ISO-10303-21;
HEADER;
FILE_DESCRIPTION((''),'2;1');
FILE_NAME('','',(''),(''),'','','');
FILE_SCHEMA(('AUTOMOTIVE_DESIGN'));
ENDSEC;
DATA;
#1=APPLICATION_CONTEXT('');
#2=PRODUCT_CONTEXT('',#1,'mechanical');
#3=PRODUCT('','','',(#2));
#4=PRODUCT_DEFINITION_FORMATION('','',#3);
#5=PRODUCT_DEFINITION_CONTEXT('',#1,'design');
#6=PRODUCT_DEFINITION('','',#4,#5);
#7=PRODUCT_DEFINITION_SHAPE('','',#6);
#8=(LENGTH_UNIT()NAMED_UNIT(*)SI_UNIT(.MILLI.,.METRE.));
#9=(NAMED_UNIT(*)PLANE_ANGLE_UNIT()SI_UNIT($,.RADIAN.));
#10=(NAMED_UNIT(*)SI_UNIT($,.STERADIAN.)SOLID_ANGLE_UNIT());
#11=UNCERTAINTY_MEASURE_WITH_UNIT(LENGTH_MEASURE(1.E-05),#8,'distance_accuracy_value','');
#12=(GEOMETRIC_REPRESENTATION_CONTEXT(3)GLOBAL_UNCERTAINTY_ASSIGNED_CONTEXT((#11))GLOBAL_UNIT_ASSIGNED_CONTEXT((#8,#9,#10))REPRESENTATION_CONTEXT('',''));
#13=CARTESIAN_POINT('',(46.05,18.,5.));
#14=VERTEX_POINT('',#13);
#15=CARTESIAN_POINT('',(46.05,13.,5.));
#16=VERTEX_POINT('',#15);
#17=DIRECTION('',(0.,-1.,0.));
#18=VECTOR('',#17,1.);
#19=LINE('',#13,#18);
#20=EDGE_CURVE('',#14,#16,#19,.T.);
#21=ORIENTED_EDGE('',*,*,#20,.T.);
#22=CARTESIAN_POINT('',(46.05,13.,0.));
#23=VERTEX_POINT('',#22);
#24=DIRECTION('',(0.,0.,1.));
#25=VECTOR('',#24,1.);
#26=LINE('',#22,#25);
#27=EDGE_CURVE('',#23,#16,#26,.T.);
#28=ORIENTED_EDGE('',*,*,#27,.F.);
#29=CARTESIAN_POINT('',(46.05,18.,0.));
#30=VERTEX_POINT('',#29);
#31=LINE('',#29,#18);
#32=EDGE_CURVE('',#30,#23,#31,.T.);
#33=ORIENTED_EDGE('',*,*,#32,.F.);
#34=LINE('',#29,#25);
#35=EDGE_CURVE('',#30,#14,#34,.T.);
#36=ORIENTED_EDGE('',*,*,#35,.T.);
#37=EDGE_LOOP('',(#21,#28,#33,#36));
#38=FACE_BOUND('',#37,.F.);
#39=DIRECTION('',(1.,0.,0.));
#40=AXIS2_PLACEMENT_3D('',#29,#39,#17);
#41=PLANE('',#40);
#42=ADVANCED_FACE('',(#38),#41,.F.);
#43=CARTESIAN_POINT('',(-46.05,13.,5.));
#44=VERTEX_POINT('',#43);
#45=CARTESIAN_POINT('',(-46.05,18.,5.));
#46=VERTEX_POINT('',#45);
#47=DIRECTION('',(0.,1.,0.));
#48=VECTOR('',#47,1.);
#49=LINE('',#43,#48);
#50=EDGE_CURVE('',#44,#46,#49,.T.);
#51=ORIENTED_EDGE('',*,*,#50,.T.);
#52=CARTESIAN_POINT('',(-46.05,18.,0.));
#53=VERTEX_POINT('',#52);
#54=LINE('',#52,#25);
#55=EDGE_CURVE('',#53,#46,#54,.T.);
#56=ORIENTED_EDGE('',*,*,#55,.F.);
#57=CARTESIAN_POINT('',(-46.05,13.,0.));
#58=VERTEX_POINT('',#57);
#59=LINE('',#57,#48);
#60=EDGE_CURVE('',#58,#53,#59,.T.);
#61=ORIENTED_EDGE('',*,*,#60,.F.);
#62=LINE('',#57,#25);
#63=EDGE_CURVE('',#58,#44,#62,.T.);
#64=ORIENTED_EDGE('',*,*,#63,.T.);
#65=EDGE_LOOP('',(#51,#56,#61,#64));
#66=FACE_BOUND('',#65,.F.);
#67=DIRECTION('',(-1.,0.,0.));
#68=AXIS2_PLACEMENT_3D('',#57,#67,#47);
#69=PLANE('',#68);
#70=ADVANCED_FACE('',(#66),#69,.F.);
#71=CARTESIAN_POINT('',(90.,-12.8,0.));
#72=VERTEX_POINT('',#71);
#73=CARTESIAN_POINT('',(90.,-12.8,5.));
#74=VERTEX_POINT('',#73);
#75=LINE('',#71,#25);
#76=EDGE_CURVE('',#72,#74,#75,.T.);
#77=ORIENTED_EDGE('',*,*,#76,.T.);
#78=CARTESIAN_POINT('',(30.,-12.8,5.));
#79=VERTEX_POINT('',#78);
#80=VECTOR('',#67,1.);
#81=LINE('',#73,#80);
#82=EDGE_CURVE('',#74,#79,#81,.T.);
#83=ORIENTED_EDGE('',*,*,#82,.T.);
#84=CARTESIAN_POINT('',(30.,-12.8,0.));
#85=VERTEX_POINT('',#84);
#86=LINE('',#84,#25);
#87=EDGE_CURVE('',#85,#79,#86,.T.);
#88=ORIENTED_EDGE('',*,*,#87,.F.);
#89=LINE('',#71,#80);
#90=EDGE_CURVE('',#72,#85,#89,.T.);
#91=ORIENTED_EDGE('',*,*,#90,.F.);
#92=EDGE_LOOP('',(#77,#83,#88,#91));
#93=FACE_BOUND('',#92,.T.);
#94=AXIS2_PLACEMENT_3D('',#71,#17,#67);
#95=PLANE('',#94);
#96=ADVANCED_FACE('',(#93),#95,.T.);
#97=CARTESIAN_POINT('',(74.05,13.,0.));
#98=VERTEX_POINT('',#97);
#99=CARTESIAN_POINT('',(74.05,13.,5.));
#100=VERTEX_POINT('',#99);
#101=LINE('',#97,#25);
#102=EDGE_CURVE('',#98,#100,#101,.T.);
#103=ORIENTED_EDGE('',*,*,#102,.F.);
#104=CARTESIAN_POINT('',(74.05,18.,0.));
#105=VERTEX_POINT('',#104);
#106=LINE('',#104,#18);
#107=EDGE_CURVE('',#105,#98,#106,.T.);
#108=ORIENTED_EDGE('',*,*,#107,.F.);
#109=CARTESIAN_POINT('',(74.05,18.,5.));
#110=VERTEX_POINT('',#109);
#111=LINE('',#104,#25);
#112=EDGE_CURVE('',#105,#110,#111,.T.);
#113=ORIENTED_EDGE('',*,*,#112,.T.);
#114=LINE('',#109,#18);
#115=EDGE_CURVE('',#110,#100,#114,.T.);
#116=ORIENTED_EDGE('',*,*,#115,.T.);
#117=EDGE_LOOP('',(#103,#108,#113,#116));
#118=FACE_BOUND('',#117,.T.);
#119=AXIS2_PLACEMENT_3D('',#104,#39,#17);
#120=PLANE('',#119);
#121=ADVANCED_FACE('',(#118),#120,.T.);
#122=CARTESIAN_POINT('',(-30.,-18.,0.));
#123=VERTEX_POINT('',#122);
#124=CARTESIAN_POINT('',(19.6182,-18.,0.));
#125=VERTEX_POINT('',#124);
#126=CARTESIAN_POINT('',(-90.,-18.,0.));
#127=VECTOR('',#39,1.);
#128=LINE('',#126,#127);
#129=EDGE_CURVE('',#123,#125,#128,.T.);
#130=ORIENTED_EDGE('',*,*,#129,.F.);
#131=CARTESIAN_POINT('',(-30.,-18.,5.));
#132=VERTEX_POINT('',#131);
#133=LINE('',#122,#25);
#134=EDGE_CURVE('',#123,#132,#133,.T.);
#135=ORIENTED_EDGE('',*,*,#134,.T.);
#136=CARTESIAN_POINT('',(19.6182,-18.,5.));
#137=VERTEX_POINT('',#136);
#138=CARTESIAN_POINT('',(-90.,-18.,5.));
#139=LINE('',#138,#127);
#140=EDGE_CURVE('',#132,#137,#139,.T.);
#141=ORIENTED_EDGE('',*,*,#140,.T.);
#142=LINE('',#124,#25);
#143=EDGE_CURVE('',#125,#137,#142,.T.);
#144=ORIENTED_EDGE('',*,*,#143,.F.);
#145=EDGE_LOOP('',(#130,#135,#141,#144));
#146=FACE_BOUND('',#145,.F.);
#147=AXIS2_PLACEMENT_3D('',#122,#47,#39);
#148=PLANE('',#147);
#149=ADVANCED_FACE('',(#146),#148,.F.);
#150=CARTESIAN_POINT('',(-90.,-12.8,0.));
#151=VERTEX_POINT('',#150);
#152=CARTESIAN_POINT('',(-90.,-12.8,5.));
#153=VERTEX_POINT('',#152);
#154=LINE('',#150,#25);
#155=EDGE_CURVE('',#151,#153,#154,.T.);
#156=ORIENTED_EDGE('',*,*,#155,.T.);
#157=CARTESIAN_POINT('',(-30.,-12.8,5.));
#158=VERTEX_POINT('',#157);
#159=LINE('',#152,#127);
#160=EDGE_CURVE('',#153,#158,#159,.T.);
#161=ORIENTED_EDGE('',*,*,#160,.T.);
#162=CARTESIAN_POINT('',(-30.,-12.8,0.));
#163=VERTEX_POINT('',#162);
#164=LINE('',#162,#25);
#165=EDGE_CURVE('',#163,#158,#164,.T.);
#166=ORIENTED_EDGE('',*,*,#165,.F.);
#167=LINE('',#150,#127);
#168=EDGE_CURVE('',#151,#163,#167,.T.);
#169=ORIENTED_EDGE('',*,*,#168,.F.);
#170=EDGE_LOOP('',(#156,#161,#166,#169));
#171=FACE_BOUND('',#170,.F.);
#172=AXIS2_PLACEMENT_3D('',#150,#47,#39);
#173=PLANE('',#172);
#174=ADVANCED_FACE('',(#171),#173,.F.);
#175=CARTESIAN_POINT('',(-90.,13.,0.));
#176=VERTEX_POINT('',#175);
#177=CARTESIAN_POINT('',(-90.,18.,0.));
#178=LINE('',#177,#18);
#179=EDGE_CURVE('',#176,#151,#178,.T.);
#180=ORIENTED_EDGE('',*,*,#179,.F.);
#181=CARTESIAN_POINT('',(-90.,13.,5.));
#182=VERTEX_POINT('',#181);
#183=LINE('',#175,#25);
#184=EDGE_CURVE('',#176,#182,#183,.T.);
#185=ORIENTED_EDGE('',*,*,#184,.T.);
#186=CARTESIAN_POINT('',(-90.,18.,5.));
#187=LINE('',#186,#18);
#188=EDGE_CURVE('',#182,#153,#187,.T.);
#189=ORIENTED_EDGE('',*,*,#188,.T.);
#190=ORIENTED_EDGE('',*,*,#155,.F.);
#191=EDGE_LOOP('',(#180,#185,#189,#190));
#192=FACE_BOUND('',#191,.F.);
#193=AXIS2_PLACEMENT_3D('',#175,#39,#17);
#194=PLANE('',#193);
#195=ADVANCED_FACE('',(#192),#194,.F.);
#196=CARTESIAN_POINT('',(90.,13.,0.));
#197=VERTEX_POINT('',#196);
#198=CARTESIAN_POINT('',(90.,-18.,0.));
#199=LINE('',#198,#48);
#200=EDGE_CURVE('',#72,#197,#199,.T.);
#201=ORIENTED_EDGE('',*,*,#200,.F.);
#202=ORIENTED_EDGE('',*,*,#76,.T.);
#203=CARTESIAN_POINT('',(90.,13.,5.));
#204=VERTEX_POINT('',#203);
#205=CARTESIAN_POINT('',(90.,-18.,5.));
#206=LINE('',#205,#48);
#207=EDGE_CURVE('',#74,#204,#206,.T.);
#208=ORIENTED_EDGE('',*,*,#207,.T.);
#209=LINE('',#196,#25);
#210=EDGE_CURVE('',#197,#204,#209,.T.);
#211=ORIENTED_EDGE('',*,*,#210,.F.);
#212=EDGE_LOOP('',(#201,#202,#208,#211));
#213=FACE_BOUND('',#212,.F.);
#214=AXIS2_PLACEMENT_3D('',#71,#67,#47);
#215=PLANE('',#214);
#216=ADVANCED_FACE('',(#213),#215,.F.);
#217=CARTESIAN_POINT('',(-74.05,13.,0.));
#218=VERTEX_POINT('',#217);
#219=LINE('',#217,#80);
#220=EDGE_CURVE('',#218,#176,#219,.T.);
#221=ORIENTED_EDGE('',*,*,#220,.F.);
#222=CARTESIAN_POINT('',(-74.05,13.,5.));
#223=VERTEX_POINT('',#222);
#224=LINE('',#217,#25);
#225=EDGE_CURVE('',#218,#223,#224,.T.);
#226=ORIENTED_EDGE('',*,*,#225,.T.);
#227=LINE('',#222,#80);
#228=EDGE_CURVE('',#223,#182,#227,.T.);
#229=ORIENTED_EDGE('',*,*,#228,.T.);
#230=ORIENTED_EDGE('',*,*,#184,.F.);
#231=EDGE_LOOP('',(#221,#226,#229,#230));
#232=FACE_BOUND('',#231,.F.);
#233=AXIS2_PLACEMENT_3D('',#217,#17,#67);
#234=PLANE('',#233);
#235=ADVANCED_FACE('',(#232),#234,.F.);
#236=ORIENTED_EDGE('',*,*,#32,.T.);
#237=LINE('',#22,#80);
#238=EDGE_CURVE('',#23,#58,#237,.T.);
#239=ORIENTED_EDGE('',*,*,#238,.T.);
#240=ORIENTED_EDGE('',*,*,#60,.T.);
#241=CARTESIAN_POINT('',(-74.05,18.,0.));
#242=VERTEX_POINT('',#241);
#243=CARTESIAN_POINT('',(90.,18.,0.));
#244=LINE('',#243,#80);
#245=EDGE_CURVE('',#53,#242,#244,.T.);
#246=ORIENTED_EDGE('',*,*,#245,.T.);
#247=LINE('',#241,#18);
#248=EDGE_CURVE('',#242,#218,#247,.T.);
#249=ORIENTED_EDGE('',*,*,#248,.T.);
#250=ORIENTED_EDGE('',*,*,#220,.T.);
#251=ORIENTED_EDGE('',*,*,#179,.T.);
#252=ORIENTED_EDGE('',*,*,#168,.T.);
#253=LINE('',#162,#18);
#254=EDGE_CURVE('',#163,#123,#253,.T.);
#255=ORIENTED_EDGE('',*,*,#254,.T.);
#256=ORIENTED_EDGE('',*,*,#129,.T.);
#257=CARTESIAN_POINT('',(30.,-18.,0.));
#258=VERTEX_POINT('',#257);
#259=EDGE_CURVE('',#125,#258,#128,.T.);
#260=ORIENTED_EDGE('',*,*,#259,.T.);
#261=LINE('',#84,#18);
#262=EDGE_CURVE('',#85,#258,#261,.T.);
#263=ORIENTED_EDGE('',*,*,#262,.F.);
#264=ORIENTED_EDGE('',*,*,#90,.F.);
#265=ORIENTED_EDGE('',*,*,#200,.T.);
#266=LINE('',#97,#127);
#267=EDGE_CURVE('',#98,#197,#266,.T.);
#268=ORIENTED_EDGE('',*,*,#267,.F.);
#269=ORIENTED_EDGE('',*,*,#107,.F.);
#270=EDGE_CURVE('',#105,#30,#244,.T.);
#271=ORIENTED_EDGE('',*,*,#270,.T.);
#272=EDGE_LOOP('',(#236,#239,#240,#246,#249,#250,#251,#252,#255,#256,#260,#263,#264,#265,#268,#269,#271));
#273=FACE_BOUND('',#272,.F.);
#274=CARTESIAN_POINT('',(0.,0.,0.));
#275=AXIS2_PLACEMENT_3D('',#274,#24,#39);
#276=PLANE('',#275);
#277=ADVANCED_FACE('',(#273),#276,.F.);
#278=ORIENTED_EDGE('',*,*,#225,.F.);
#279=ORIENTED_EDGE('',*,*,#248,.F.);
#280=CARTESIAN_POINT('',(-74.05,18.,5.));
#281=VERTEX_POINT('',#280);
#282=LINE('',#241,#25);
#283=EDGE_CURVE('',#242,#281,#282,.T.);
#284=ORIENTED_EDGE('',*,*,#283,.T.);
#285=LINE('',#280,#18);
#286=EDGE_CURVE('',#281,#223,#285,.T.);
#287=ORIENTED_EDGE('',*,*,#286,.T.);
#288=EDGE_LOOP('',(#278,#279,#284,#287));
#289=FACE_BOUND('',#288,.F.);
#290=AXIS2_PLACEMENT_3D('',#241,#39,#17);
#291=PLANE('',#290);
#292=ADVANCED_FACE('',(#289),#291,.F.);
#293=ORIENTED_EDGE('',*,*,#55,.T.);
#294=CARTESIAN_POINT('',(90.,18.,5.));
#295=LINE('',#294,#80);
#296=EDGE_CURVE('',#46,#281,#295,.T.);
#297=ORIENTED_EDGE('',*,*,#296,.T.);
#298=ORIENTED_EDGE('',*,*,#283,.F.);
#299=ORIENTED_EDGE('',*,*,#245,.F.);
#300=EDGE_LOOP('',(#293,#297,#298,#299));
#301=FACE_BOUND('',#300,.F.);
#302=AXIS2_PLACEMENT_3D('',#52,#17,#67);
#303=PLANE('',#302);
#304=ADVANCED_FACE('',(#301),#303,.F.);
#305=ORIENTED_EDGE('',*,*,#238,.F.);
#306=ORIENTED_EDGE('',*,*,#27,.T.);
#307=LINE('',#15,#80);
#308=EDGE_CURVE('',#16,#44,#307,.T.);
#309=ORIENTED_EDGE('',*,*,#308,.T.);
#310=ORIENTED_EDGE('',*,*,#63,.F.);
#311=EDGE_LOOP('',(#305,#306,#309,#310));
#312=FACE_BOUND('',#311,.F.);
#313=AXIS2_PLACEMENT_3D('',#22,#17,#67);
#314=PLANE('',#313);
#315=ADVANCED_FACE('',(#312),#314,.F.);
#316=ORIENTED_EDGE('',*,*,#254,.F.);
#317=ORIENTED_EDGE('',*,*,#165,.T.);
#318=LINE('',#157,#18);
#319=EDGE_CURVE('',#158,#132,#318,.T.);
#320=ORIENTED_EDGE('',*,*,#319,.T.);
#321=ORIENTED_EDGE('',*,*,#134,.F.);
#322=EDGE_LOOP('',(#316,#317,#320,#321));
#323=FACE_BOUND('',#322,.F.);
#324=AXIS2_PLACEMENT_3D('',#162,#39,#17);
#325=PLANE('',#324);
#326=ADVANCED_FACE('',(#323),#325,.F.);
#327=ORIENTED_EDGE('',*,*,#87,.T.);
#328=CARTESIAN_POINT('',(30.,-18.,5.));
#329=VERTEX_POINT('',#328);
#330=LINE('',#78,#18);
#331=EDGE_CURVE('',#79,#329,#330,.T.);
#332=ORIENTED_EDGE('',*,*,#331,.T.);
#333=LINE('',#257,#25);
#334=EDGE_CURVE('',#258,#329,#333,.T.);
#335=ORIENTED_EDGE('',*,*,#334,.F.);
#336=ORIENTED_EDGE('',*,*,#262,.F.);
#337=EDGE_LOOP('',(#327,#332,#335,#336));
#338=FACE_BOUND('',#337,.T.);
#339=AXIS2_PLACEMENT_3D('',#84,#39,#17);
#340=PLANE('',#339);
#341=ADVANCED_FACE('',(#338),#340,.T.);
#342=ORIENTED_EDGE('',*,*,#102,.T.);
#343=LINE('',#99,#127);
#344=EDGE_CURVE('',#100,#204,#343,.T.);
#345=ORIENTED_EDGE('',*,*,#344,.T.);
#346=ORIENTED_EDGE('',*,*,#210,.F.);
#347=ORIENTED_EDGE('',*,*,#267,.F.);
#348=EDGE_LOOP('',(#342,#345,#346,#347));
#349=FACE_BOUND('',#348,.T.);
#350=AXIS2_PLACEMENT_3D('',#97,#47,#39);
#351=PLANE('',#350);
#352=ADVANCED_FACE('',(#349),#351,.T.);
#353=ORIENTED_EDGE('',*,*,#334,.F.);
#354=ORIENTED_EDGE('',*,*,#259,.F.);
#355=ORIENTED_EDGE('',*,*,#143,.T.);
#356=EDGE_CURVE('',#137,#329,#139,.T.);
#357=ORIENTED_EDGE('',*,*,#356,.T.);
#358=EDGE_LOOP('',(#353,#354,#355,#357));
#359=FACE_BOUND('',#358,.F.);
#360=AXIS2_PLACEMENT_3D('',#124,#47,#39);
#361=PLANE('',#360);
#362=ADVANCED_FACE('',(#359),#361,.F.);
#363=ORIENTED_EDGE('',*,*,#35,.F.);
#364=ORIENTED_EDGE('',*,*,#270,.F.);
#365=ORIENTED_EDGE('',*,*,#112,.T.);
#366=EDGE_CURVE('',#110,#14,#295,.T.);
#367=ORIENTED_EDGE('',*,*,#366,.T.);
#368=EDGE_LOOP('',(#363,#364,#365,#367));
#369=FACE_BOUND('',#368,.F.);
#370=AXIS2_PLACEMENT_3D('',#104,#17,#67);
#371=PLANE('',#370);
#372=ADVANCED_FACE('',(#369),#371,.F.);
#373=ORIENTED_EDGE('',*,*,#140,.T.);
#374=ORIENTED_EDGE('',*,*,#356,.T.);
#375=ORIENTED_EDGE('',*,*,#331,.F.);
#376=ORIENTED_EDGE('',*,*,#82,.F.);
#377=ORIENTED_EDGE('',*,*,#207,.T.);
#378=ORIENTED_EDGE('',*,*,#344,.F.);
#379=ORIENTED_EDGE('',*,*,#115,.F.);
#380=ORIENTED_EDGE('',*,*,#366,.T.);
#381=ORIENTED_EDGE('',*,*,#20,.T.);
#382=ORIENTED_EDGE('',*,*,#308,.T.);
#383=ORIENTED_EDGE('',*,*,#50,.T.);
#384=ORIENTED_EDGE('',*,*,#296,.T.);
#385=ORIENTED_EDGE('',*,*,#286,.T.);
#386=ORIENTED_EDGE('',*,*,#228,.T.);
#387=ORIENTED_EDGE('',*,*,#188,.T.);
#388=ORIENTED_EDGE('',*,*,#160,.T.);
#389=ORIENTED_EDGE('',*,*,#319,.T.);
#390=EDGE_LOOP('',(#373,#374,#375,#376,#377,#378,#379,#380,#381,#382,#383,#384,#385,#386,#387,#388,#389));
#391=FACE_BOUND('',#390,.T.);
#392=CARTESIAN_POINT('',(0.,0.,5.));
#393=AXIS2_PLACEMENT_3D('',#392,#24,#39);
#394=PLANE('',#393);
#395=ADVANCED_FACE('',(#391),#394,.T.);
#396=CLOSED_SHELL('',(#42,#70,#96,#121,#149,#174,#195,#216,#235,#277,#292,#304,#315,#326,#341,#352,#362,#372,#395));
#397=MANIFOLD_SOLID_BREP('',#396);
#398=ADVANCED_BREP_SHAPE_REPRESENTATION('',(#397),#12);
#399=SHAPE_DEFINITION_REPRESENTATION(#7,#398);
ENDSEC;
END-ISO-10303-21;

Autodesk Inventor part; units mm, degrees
ref_plane "YZ Plane" through (0, 0, 0) normal (1, 0, 0) x (0, 1, 0)
ref_plane "XZ Plane" through (0, 0, 0) normal (0, 1, 0) x (-1, 0, 0)
ref_plane "XY Plane" through (0, 0, 0) normal (0, 0, 1) x (1, 0, 0)
sketch "Sketch1" plane through (0, 0, 0) normal (0, 0, 1) x (1, 0, 0)
  line L0 (-90, -18) -> (90, -18)
  line L1 (90, -18) -> (90, 18)
  line L2 (90, 18) -> (-90, 18)
  line L3 (-90, 18) -> (-90, -18)
  line L4 (-90, -18) -> (90, 18) construction
  line L5 (90, -18) -> (-90, 18) construction
  line L6 (-46.05, 18) -> (46.05, 18)
  line L7 (46.05, 18) -> (46.05, 13)
  line L8 (46.05, 13) -> (-46.05, 13)
  line L9 (-46.05, 13) -> (-46.05, 18)
  line L10 (-46.05, 18) -> (46.05, 13) construction
  line L11 (46.05, 18) -> (-46.05, 13) construction
  line L12 (-90, -12.8) -> (-30, -12.8)
  line L13 (-30, -12.8) -> (-30, -18)
  line L14 (-30, -18) -> (-90, -18)
  line L15 (-90, -18) -> (-90, -12.8)
  line L16 (-90, -12.8) -> (-30, -18) construction
  line L17 (-30, -12.8) -> (-90, -18) construction
  line L18 (19.6182, -18) -> (70, -18)
  line L19 (0, 0) -> (0, -18) construction
  line L20 (30, -18) -> (90, -18)
  line L21 (90, -18) -> (90, -12.8)
  line L22 (90, -12.8) -> (30, -12.8)
  line L23 (30, -12.8) -> (30, -18)
  line L24 (30, -18) -> (90, -12.8) construction
  line L25 (90, -18) -> (30, -12.8) construction
  line L26 (-45.85, 18) -> (-74.05, 18)
  line L27 (74.05, 18) -> (74.05, 13)
  line L28 (74.05, 13) -> (90, 13)
  line L29 (-74.05, 18) -> (-74.05, 13)
  line L30 (-74.05, 13) -> (-90, 13)
  point P0 (0, 15.5)
  point P1 (-60, -15.4)
  point P2 (46.05, 18)
  point P3 (-46.05, 18)
  point P4 (-30, -18)
  point P5 (-90, -12.8)
  point P6 (60, -15.4)
  point P7 (30, -18)
  point P8 (-74.05, 18)
  dimension "d0" = 180
  dimension "d1" = 36
  dimension "d10" = 5
  dimension "d11" = 92.1
  dimension "d12" = 5.2
  dimension "d21" = 5.2
  dimension "d24" = 60
  dimension "d31" = 28
  dimension "d32" = 28
extrude "Extrusion1" add sketch "Sketch1" along normal blind 5 contours L13 L12 L3 L30 L29 L2 L9 L8 L7 L27 L28 L1 L22 L23 L0
equation "\"d32\" = d31"
properties part number "lower-front-back-plate-support"
